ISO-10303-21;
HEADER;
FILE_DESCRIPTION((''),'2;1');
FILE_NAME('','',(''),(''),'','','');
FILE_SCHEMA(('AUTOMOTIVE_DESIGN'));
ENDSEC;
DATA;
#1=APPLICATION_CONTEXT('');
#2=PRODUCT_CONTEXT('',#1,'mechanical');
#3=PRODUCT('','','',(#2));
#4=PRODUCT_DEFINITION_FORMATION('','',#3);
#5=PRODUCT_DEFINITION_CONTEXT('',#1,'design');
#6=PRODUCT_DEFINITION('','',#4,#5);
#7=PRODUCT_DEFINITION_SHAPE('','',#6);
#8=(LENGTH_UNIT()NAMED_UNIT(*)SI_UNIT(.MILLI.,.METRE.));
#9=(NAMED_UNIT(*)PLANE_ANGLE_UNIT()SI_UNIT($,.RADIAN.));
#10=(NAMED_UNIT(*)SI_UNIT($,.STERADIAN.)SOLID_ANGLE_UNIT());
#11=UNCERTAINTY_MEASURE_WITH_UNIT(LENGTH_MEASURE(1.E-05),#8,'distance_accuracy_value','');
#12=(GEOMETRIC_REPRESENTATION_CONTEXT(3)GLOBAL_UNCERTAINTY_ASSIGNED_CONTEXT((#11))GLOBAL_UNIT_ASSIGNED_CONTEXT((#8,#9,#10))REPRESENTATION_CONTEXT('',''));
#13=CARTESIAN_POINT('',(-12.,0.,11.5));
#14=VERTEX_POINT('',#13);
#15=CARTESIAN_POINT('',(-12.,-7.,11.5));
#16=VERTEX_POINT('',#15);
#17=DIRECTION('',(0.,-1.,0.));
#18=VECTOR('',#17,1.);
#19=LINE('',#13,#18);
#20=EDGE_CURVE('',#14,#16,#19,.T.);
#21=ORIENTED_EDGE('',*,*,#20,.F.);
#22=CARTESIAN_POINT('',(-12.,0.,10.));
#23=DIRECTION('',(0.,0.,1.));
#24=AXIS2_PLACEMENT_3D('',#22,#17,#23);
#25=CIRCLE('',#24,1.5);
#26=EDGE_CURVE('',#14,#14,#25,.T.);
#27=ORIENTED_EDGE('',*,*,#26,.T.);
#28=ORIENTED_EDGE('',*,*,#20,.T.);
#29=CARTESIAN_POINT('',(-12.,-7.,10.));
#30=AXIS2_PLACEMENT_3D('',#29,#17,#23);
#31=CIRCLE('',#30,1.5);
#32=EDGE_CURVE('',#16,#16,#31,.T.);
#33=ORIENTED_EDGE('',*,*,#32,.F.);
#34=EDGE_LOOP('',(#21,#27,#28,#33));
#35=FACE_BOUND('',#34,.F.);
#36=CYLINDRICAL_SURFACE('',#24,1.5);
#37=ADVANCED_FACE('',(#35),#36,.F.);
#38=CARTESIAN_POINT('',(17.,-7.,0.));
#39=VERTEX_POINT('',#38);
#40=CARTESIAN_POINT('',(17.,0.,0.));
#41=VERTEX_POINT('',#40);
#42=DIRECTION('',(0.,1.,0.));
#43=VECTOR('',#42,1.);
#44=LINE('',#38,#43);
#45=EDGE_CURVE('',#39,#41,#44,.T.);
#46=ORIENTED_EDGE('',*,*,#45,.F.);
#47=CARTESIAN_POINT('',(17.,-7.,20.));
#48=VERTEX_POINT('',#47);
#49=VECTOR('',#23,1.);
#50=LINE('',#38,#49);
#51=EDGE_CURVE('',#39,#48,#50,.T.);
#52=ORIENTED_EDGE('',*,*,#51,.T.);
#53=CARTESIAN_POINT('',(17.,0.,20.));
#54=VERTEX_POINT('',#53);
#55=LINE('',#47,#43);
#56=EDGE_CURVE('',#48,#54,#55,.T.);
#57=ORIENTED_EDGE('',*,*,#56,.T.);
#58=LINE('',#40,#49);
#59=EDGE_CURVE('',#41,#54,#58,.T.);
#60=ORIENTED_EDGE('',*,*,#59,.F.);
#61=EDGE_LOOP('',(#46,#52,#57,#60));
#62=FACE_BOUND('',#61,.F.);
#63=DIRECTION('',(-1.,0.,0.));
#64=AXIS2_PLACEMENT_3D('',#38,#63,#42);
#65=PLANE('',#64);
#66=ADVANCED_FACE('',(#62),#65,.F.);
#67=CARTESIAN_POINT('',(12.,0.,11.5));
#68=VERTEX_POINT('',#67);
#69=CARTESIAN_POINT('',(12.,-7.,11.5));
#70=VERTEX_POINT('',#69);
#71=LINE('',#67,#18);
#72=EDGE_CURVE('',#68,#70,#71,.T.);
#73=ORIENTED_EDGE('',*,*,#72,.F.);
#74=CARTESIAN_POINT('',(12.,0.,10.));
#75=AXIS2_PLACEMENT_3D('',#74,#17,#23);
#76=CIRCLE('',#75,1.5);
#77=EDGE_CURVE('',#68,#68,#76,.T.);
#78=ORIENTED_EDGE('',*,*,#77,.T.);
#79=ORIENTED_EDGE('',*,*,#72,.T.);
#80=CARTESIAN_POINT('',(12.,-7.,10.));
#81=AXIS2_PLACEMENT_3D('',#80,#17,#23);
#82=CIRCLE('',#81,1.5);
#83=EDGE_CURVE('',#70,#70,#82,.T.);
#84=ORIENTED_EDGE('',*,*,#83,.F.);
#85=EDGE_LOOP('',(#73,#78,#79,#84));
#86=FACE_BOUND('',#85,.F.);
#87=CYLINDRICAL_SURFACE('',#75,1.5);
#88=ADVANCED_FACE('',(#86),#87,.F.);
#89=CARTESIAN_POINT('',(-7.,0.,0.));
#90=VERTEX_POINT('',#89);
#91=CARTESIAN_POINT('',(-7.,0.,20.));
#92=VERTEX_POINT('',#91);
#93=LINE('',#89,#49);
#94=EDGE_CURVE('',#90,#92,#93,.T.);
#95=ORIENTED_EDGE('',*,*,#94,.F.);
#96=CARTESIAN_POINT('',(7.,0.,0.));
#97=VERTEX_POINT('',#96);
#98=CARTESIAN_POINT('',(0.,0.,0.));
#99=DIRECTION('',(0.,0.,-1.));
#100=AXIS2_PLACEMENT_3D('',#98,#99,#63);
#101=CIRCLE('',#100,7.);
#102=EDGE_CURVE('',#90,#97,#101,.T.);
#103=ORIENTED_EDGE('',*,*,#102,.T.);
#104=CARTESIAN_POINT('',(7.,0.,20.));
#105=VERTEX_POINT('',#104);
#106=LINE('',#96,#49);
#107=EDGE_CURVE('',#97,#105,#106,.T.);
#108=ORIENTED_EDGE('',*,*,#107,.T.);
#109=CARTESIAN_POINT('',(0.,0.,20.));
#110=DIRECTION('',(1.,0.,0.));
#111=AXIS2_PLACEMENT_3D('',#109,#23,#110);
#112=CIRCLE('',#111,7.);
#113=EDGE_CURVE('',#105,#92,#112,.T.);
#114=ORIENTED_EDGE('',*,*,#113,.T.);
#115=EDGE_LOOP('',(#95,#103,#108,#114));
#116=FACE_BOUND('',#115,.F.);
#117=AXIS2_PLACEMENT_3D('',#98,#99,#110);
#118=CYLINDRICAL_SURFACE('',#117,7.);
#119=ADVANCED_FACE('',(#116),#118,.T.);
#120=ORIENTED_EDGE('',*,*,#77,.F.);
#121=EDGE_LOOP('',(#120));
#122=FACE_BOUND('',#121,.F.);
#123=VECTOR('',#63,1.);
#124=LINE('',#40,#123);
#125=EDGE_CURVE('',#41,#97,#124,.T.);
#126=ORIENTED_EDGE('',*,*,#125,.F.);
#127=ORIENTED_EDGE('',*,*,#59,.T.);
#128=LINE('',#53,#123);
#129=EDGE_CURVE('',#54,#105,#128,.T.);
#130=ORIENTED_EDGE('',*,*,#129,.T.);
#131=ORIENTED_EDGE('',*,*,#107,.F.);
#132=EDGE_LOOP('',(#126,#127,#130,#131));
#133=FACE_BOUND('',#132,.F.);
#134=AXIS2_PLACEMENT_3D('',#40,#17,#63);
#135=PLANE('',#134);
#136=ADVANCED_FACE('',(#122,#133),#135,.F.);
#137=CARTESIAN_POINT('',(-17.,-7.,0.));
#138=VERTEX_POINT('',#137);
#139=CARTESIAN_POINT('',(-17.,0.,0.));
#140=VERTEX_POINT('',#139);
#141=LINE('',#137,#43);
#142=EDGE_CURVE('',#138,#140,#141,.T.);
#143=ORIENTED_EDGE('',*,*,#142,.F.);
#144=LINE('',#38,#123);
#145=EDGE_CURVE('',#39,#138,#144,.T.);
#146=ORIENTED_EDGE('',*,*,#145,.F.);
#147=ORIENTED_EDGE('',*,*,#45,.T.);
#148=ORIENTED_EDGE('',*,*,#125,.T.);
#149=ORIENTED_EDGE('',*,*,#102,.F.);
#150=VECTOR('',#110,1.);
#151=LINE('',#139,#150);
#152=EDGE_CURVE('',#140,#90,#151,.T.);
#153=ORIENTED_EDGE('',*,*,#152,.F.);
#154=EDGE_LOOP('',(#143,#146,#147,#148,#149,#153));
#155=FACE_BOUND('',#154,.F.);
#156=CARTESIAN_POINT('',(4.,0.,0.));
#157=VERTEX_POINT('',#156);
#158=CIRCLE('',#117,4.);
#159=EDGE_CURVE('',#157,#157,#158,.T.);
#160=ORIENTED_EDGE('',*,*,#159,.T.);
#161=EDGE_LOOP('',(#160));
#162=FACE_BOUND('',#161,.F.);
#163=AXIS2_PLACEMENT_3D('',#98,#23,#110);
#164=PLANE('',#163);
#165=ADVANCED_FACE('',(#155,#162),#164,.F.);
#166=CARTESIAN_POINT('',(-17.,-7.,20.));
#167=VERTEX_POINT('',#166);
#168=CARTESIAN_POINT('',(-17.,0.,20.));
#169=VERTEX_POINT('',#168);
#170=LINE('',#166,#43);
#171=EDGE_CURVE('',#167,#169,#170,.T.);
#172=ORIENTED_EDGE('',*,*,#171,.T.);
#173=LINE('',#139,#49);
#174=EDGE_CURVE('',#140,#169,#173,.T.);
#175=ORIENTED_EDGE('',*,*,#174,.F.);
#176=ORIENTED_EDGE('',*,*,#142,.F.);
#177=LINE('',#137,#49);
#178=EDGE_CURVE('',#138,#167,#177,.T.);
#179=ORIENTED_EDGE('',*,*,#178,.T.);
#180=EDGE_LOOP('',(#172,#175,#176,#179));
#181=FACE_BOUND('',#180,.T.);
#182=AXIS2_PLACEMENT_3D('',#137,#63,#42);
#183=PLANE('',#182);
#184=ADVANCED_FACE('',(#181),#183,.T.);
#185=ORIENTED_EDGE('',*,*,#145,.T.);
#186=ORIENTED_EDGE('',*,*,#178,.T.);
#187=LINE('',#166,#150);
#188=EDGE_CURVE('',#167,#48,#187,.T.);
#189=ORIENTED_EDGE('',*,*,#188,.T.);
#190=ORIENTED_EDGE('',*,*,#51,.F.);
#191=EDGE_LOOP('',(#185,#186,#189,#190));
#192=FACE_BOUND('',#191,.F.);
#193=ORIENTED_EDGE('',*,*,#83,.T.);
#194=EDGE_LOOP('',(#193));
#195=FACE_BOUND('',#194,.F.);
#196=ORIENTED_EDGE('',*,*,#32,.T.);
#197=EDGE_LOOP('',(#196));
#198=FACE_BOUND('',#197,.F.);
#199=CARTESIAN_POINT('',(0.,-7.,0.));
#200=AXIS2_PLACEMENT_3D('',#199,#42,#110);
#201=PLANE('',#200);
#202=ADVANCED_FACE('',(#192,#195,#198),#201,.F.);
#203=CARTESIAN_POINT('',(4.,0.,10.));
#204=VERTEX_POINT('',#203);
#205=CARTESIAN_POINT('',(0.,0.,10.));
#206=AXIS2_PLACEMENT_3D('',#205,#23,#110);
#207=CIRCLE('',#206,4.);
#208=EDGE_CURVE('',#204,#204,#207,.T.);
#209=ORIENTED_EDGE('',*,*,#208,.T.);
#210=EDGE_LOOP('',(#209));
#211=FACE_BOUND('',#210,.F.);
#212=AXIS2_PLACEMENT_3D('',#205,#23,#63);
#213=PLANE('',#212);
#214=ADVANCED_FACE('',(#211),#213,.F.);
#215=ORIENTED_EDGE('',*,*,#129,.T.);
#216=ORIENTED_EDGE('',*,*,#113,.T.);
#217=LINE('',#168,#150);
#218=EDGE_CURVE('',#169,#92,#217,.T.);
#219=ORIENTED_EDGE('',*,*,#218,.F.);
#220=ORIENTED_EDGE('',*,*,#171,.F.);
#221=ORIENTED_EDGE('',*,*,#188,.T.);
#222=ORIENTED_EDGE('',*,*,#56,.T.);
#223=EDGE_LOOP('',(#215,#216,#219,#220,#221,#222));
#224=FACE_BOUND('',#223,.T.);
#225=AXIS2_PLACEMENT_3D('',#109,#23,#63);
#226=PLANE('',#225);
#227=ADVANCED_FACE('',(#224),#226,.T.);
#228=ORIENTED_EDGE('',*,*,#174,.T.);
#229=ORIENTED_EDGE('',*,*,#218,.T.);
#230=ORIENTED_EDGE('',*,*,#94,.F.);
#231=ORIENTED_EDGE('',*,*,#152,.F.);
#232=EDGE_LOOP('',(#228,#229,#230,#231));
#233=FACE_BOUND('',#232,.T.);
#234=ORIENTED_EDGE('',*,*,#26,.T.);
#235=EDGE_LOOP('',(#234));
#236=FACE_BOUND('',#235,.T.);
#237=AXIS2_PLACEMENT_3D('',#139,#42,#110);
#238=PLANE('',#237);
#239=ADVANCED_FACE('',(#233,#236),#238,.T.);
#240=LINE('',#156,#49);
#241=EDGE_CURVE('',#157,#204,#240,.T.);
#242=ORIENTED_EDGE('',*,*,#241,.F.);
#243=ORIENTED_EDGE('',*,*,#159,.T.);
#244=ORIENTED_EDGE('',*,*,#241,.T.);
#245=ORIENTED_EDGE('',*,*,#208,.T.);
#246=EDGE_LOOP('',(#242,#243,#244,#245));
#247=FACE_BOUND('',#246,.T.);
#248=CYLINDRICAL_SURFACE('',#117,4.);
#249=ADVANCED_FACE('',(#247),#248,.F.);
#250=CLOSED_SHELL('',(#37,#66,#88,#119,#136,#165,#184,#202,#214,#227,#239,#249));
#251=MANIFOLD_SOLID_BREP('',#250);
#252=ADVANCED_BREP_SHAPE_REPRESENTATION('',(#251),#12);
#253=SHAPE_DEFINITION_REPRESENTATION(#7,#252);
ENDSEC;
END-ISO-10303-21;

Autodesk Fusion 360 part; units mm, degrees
sketch "Sketch1" plane through (0, 0, 0) normal (0, 0, 1) x (1, 0, 0)
  circle A0 centre (0, 0) radius 4
  circle A1 centre (0, 0) radius 7
  line L0 (0, -6) -> (0, -7.3)
  line L1 (0, -7) -> (17, -7)
  line L2 (17, -7) -> (17, 0)
  line L3 (17, 0) -> (0, 0)
  line L4 (0, 0) -> (0, -7)
  line L5 (0, -7) -> (-17, -7)
  line L6 (-17, -7) -> (-17, 0)
  line L7 (-17, 0) -> (0, 0)
  line L8 (0, 0) -> (0, -7)
  line L9 (0.2459, 6.9957) -> (17, 0)
  line L10 (0.2459, 6.9957) -> (-17, 0)
  dimension "d1" = 8
  dimension "d2" = 14
  dimension "d3" = 17
  dimension "d4" = 7
extrude "Extrude1" add sketch "Sketch1" along normal blind 20 contours A0 A1 L0 L3 L4 L8 | A0 A1 L3 L7 L9 L10 | A0 A1 L0 L4 L7 L8 | A1 L1 L2 L3 | A1 L5 L6 L7 | A1 L9 | A1 L10
sketch "Sketch2" plane through (0, 0, 20) normal (0, 0, 1) x (-1, 0, 0)
  circle A0 centre (0, 0) radius 4
  line L0 (17, 7) -> (-17, 7)
  line L1 (-17, 7) -> (-17, 0)
  line L2 (-17, 0) -> (-7, 0)
  arc A1 (-7, 0) -> (7, 0) centre (0, 0) ccw
  line L3 (7, 0) -> (17, 0)
  line L4 (17, 0) -> (17, 7)
  circle A2 centre (0, 0) radius 4
extrude "Extrude2" add sketch "Sketch2" against normal blind 10 contours A0 A2
sketch "Sketch3" plane through (0, 0, 0) normal (0, 1, 0) x (-1, 0, 0)
  line L0 (-17, 0) -> (-7, 0)
  line L1 (-7, 0) -> (-7, 20)
  line L2 (-7, 20) -> (-17, 20)
  line L3 (-17, 20) -> (-17, 0)
  line L4 (-12, 0) -> (-12, 20) construction
  line L5 (-17, 10) -> (-7, 10) construction
  circle A0 centre (-12, 10) radius 1.5
  line L6 (0, 20) -> (0, 0) construction
  circle A1 centre (12, 10) radius 1.5
  dimension "d9" = 3
hole "Hole1" at (12, 0, 10) at (-12, 0, 10) direction (0, -1, 0) diameter 3 depth 11 tip angle 118
